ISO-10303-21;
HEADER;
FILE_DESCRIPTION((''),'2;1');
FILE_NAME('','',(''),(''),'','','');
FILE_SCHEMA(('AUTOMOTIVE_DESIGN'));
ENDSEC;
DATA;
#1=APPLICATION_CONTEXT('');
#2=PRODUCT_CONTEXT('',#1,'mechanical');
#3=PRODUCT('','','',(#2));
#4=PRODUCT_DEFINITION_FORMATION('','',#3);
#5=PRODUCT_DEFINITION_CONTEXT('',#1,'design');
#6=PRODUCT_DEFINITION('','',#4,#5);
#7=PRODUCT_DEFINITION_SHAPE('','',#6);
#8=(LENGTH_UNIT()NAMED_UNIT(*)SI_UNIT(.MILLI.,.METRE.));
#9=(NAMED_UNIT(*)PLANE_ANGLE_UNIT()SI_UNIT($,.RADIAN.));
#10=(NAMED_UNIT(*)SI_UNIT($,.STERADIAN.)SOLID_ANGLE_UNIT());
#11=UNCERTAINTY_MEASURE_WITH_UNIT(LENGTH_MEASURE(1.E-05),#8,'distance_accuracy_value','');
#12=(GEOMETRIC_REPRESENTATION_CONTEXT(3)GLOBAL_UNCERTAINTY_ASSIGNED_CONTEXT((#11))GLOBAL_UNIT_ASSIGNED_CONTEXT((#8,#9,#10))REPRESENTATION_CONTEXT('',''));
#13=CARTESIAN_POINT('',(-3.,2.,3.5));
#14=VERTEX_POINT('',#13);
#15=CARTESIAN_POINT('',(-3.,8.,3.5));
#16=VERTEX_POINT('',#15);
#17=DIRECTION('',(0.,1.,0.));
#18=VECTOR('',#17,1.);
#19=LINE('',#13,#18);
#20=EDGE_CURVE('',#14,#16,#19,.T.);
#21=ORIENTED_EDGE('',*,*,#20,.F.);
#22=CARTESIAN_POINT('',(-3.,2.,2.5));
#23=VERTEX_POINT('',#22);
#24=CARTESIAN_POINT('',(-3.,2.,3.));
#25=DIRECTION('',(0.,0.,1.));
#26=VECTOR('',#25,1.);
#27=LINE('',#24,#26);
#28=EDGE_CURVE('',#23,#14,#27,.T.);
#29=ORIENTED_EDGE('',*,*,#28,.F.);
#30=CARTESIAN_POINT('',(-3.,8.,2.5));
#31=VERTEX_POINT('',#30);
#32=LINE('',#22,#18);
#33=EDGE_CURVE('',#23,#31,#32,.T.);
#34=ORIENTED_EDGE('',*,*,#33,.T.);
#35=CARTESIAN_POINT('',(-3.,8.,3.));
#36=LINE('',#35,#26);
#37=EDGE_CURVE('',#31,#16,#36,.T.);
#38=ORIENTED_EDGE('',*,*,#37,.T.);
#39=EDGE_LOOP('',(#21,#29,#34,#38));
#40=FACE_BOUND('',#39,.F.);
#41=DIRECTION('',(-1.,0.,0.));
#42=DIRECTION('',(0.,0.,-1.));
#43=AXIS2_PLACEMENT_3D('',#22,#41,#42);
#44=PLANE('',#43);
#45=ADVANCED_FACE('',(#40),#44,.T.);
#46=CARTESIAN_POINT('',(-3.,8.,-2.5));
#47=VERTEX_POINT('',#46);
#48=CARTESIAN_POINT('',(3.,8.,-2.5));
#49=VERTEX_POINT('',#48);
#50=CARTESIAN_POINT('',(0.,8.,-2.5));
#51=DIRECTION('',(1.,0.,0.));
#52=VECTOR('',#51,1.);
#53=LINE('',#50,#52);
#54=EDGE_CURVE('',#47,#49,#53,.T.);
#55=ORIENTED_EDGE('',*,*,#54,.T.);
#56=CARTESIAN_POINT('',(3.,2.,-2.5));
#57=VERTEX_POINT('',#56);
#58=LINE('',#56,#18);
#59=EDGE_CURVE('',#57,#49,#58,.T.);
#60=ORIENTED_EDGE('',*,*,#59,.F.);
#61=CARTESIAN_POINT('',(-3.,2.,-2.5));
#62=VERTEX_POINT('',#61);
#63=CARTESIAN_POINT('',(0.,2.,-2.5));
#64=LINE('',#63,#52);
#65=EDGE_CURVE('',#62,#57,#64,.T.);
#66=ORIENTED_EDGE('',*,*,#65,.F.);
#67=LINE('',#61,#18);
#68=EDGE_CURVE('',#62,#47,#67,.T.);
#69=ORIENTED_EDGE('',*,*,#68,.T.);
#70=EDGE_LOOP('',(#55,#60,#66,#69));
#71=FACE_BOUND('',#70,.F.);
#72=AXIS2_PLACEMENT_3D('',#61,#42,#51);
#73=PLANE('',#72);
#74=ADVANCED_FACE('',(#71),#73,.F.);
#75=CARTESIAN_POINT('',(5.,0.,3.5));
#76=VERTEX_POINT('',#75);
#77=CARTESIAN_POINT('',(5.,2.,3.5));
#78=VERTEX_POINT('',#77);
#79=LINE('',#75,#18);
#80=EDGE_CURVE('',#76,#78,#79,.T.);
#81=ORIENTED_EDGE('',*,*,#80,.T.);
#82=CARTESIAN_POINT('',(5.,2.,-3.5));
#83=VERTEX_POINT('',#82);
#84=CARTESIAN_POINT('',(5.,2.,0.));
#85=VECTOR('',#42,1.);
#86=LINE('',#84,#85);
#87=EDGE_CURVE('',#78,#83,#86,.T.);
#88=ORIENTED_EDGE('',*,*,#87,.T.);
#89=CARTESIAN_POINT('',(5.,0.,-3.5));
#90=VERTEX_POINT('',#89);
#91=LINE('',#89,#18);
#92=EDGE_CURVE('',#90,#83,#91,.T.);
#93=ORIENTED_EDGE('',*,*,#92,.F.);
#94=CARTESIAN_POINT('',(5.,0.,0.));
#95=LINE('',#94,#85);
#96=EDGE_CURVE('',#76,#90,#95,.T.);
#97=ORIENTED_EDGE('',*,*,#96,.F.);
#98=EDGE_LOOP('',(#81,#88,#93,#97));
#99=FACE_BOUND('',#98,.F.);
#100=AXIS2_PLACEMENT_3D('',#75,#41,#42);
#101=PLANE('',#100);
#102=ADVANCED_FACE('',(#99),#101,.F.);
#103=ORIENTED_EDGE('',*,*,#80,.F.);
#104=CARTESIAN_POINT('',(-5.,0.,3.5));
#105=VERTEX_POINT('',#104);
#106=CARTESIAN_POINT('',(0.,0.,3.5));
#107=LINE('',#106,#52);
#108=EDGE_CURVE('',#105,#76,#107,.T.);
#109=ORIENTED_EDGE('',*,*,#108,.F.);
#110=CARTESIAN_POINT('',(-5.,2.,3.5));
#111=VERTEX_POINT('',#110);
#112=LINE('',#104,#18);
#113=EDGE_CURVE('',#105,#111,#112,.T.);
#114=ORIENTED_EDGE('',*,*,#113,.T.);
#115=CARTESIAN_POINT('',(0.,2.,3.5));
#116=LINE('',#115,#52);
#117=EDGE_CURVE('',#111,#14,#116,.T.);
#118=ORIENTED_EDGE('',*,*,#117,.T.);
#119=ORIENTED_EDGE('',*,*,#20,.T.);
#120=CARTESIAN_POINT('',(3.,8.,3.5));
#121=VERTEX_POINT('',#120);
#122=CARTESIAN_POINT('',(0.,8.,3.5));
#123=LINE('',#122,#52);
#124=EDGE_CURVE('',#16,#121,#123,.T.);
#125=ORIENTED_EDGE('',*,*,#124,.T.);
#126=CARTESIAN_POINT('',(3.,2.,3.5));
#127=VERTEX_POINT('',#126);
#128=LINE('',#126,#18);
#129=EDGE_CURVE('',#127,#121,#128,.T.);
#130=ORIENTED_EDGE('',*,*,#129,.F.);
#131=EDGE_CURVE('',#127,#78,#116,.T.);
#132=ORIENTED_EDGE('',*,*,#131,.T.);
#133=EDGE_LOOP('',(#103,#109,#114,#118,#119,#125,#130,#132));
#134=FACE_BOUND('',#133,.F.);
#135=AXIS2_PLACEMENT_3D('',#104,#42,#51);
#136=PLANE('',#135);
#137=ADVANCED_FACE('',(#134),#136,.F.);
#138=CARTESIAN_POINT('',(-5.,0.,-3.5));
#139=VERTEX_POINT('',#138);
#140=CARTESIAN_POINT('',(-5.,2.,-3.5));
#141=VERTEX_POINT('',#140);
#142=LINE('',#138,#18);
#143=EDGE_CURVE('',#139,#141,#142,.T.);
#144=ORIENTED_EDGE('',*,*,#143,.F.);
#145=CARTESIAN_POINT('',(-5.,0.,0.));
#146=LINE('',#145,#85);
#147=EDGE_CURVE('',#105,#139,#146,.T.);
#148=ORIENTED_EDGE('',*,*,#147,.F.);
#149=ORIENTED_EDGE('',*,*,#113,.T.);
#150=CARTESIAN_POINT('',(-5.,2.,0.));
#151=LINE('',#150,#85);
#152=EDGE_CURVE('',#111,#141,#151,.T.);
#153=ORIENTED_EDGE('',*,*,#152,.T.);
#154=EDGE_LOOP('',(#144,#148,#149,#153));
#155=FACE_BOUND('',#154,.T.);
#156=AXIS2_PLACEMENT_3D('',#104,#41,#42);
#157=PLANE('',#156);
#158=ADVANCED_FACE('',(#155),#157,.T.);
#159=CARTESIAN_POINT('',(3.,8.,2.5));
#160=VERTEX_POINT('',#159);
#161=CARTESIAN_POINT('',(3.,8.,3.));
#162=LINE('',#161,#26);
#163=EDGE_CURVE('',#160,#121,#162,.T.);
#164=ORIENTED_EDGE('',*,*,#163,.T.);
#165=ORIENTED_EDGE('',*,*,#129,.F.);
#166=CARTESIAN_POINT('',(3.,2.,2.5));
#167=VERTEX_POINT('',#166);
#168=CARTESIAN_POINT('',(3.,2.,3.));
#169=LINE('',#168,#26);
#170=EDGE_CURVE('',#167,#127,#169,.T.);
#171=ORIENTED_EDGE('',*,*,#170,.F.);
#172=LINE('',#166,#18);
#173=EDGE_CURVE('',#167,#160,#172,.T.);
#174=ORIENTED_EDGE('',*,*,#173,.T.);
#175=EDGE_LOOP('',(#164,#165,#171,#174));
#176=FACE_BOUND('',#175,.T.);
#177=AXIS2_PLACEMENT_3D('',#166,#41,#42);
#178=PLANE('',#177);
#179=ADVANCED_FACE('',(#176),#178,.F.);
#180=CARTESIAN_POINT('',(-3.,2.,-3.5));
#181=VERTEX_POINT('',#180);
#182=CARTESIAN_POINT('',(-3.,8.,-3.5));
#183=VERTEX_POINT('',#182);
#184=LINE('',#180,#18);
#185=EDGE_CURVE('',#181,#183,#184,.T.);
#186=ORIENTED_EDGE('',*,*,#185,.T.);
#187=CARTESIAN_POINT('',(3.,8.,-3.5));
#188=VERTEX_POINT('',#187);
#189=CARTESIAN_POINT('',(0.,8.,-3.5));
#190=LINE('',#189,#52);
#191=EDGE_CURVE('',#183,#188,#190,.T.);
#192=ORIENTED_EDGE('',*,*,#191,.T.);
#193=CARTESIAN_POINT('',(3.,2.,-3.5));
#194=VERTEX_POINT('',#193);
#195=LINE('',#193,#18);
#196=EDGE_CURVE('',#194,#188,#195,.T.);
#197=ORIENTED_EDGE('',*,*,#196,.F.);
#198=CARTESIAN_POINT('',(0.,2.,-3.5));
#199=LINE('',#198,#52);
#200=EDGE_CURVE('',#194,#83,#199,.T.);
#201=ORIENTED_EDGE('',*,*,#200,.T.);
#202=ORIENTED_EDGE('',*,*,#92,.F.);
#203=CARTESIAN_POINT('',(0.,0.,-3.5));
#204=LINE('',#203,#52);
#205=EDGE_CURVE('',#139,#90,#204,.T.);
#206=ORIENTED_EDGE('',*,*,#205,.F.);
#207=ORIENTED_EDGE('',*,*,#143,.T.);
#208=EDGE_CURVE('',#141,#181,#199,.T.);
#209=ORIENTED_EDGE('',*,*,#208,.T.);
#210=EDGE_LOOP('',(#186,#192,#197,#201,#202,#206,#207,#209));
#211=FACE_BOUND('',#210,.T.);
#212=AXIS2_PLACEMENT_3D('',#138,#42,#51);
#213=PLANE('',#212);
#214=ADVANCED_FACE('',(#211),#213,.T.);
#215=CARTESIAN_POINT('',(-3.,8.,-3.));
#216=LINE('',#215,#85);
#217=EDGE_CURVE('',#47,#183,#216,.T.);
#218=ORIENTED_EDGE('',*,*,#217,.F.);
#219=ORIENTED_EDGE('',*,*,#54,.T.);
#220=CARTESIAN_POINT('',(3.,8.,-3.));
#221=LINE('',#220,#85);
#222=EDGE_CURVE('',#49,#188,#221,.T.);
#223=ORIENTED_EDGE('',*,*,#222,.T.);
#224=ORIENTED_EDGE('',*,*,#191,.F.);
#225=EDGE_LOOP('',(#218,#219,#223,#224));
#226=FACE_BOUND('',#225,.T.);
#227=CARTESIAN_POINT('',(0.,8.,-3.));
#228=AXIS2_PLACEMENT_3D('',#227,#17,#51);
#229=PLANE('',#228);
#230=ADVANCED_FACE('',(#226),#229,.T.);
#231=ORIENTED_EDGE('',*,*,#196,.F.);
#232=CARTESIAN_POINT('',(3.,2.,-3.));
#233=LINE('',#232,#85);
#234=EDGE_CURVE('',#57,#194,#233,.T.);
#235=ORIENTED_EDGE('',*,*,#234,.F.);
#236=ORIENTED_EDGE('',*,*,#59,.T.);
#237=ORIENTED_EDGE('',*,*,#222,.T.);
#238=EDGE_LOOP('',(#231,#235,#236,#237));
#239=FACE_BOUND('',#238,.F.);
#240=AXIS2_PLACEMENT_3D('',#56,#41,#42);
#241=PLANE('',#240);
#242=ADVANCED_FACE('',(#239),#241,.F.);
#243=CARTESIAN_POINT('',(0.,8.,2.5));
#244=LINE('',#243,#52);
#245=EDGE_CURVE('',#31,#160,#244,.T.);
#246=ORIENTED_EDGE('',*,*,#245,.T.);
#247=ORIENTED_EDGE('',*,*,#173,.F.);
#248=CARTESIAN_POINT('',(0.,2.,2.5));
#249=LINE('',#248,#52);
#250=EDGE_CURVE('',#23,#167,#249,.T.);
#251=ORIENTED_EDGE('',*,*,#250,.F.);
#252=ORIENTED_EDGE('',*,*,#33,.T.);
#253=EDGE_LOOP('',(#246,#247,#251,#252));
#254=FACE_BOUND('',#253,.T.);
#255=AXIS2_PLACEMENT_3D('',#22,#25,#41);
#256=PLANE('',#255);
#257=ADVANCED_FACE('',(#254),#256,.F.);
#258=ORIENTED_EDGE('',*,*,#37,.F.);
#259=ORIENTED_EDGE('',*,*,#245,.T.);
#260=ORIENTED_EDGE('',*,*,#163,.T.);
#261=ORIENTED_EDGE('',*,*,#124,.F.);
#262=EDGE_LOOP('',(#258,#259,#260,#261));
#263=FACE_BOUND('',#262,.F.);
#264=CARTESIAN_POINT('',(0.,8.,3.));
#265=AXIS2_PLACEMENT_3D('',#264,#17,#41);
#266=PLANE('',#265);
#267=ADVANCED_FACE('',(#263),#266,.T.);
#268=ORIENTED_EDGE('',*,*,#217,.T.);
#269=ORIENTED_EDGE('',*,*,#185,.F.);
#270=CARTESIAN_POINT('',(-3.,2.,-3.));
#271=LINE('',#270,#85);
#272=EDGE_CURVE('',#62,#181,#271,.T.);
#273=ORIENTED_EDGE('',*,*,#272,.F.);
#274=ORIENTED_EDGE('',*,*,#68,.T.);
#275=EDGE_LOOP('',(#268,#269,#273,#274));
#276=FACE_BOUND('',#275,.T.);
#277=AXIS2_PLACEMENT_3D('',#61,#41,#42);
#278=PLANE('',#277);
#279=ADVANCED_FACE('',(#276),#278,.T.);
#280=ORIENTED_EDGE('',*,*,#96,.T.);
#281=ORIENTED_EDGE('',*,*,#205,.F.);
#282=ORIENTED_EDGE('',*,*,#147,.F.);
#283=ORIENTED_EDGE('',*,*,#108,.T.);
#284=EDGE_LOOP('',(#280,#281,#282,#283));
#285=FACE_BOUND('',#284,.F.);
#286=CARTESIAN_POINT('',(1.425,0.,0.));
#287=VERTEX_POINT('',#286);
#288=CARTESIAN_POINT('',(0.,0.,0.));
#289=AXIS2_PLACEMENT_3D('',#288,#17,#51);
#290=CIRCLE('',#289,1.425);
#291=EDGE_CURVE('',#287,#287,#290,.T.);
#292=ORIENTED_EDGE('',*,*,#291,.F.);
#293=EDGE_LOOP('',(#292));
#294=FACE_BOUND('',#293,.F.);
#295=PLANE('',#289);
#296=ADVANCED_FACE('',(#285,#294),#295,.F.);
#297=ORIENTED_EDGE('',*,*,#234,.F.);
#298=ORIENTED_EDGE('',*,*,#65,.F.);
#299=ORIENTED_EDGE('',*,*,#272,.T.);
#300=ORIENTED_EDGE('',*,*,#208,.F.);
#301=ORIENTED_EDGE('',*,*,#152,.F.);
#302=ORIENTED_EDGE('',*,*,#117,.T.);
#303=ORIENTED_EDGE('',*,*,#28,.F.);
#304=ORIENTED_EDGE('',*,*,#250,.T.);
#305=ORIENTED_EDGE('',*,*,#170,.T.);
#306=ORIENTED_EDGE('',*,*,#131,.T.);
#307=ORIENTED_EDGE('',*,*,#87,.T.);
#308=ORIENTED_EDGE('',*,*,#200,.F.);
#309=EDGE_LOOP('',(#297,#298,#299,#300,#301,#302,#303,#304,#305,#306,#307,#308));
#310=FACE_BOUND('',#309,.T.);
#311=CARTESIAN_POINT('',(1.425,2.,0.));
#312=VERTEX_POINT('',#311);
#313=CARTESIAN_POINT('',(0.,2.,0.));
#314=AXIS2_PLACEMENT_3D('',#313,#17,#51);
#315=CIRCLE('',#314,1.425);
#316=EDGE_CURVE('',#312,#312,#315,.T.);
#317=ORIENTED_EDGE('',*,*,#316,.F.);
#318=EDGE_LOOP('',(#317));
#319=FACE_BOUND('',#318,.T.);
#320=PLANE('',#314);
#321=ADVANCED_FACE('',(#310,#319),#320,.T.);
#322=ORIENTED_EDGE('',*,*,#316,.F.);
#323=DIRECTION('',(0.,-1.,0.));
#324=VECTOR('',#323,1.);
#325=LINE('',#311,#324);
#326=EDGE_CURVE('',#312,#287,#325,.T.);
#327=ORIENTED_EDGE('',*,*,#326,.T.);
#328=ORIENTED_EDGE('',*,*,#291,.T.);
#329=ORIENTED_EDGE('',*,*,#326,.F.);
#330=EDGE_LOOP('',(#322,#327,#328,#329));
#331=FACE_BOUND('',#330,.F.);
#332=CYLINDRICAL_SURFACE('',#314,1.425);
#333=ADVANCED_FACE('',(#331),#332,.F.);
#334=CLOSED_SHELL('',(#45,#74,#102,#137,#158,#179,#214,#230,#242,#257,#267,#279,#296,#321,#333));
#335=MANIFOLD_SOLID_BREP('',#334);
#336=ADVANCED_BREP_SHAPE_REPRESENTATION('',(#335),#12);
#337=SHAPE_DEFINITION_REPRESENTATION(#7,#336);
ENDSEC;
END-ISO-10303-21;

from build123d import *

# Parameters (mm, degrees)
SKETCH1_W           = 10
SKETCH1_H           = 7
BOSS_EXTRUDE1_DEPTH = 2
SKETCH2_R           = 1.425
CUT_EXTRUDE1_DEPTH  = 3
SKETCH3_W           = 6
SKETCH3_H           = 1
BOSS_EXTRUDE2_DEPTH = 6


with BuildPart() as part:
    # Sketch1 → Boss-Extrude1 (new body)
    with BuildSketch(Plane(origin=(0, 0, 0), x_dir=(1, 0, 0), z_dir=(0, 1, 0))):
        Rectangle(SKETCH1_W, SKETCH1_H)
    extrude(amount=BOSS_EXTRUDE1_DEPTH)

    # Sketch2 → Cut-Extrude1 (cut, through all)
    with BuildSketch(Plane(origin=(0, 2, 0), x_dir=(1, 0, 0), z_dir=(0, 1, 0))):
        Circle(SKETCH2_R)
    extrude(amount=-CUT_EXTRUDE1_DEPTH, mode=Mode.SUBTRACT)

    # Sketch3 → Boss-Extrude2 (add)
    with BuildSketch(Plane(origin=(0, 2, 0), x_dir=(1, 0, 0), z_dir=(0, 1, 0))):
        with Locations((0, 3)):
            Rectangle(SKETCH3_W, SKETCH3_H)
    boss_extrude2 = extrude(amount=BOSS_EXTRUDE2_DEPTH)

    # Mirror1: Boss-Extrude2 across plane
    add(boss_extrude2.mirror(Plane.XY))


solid = part.part
